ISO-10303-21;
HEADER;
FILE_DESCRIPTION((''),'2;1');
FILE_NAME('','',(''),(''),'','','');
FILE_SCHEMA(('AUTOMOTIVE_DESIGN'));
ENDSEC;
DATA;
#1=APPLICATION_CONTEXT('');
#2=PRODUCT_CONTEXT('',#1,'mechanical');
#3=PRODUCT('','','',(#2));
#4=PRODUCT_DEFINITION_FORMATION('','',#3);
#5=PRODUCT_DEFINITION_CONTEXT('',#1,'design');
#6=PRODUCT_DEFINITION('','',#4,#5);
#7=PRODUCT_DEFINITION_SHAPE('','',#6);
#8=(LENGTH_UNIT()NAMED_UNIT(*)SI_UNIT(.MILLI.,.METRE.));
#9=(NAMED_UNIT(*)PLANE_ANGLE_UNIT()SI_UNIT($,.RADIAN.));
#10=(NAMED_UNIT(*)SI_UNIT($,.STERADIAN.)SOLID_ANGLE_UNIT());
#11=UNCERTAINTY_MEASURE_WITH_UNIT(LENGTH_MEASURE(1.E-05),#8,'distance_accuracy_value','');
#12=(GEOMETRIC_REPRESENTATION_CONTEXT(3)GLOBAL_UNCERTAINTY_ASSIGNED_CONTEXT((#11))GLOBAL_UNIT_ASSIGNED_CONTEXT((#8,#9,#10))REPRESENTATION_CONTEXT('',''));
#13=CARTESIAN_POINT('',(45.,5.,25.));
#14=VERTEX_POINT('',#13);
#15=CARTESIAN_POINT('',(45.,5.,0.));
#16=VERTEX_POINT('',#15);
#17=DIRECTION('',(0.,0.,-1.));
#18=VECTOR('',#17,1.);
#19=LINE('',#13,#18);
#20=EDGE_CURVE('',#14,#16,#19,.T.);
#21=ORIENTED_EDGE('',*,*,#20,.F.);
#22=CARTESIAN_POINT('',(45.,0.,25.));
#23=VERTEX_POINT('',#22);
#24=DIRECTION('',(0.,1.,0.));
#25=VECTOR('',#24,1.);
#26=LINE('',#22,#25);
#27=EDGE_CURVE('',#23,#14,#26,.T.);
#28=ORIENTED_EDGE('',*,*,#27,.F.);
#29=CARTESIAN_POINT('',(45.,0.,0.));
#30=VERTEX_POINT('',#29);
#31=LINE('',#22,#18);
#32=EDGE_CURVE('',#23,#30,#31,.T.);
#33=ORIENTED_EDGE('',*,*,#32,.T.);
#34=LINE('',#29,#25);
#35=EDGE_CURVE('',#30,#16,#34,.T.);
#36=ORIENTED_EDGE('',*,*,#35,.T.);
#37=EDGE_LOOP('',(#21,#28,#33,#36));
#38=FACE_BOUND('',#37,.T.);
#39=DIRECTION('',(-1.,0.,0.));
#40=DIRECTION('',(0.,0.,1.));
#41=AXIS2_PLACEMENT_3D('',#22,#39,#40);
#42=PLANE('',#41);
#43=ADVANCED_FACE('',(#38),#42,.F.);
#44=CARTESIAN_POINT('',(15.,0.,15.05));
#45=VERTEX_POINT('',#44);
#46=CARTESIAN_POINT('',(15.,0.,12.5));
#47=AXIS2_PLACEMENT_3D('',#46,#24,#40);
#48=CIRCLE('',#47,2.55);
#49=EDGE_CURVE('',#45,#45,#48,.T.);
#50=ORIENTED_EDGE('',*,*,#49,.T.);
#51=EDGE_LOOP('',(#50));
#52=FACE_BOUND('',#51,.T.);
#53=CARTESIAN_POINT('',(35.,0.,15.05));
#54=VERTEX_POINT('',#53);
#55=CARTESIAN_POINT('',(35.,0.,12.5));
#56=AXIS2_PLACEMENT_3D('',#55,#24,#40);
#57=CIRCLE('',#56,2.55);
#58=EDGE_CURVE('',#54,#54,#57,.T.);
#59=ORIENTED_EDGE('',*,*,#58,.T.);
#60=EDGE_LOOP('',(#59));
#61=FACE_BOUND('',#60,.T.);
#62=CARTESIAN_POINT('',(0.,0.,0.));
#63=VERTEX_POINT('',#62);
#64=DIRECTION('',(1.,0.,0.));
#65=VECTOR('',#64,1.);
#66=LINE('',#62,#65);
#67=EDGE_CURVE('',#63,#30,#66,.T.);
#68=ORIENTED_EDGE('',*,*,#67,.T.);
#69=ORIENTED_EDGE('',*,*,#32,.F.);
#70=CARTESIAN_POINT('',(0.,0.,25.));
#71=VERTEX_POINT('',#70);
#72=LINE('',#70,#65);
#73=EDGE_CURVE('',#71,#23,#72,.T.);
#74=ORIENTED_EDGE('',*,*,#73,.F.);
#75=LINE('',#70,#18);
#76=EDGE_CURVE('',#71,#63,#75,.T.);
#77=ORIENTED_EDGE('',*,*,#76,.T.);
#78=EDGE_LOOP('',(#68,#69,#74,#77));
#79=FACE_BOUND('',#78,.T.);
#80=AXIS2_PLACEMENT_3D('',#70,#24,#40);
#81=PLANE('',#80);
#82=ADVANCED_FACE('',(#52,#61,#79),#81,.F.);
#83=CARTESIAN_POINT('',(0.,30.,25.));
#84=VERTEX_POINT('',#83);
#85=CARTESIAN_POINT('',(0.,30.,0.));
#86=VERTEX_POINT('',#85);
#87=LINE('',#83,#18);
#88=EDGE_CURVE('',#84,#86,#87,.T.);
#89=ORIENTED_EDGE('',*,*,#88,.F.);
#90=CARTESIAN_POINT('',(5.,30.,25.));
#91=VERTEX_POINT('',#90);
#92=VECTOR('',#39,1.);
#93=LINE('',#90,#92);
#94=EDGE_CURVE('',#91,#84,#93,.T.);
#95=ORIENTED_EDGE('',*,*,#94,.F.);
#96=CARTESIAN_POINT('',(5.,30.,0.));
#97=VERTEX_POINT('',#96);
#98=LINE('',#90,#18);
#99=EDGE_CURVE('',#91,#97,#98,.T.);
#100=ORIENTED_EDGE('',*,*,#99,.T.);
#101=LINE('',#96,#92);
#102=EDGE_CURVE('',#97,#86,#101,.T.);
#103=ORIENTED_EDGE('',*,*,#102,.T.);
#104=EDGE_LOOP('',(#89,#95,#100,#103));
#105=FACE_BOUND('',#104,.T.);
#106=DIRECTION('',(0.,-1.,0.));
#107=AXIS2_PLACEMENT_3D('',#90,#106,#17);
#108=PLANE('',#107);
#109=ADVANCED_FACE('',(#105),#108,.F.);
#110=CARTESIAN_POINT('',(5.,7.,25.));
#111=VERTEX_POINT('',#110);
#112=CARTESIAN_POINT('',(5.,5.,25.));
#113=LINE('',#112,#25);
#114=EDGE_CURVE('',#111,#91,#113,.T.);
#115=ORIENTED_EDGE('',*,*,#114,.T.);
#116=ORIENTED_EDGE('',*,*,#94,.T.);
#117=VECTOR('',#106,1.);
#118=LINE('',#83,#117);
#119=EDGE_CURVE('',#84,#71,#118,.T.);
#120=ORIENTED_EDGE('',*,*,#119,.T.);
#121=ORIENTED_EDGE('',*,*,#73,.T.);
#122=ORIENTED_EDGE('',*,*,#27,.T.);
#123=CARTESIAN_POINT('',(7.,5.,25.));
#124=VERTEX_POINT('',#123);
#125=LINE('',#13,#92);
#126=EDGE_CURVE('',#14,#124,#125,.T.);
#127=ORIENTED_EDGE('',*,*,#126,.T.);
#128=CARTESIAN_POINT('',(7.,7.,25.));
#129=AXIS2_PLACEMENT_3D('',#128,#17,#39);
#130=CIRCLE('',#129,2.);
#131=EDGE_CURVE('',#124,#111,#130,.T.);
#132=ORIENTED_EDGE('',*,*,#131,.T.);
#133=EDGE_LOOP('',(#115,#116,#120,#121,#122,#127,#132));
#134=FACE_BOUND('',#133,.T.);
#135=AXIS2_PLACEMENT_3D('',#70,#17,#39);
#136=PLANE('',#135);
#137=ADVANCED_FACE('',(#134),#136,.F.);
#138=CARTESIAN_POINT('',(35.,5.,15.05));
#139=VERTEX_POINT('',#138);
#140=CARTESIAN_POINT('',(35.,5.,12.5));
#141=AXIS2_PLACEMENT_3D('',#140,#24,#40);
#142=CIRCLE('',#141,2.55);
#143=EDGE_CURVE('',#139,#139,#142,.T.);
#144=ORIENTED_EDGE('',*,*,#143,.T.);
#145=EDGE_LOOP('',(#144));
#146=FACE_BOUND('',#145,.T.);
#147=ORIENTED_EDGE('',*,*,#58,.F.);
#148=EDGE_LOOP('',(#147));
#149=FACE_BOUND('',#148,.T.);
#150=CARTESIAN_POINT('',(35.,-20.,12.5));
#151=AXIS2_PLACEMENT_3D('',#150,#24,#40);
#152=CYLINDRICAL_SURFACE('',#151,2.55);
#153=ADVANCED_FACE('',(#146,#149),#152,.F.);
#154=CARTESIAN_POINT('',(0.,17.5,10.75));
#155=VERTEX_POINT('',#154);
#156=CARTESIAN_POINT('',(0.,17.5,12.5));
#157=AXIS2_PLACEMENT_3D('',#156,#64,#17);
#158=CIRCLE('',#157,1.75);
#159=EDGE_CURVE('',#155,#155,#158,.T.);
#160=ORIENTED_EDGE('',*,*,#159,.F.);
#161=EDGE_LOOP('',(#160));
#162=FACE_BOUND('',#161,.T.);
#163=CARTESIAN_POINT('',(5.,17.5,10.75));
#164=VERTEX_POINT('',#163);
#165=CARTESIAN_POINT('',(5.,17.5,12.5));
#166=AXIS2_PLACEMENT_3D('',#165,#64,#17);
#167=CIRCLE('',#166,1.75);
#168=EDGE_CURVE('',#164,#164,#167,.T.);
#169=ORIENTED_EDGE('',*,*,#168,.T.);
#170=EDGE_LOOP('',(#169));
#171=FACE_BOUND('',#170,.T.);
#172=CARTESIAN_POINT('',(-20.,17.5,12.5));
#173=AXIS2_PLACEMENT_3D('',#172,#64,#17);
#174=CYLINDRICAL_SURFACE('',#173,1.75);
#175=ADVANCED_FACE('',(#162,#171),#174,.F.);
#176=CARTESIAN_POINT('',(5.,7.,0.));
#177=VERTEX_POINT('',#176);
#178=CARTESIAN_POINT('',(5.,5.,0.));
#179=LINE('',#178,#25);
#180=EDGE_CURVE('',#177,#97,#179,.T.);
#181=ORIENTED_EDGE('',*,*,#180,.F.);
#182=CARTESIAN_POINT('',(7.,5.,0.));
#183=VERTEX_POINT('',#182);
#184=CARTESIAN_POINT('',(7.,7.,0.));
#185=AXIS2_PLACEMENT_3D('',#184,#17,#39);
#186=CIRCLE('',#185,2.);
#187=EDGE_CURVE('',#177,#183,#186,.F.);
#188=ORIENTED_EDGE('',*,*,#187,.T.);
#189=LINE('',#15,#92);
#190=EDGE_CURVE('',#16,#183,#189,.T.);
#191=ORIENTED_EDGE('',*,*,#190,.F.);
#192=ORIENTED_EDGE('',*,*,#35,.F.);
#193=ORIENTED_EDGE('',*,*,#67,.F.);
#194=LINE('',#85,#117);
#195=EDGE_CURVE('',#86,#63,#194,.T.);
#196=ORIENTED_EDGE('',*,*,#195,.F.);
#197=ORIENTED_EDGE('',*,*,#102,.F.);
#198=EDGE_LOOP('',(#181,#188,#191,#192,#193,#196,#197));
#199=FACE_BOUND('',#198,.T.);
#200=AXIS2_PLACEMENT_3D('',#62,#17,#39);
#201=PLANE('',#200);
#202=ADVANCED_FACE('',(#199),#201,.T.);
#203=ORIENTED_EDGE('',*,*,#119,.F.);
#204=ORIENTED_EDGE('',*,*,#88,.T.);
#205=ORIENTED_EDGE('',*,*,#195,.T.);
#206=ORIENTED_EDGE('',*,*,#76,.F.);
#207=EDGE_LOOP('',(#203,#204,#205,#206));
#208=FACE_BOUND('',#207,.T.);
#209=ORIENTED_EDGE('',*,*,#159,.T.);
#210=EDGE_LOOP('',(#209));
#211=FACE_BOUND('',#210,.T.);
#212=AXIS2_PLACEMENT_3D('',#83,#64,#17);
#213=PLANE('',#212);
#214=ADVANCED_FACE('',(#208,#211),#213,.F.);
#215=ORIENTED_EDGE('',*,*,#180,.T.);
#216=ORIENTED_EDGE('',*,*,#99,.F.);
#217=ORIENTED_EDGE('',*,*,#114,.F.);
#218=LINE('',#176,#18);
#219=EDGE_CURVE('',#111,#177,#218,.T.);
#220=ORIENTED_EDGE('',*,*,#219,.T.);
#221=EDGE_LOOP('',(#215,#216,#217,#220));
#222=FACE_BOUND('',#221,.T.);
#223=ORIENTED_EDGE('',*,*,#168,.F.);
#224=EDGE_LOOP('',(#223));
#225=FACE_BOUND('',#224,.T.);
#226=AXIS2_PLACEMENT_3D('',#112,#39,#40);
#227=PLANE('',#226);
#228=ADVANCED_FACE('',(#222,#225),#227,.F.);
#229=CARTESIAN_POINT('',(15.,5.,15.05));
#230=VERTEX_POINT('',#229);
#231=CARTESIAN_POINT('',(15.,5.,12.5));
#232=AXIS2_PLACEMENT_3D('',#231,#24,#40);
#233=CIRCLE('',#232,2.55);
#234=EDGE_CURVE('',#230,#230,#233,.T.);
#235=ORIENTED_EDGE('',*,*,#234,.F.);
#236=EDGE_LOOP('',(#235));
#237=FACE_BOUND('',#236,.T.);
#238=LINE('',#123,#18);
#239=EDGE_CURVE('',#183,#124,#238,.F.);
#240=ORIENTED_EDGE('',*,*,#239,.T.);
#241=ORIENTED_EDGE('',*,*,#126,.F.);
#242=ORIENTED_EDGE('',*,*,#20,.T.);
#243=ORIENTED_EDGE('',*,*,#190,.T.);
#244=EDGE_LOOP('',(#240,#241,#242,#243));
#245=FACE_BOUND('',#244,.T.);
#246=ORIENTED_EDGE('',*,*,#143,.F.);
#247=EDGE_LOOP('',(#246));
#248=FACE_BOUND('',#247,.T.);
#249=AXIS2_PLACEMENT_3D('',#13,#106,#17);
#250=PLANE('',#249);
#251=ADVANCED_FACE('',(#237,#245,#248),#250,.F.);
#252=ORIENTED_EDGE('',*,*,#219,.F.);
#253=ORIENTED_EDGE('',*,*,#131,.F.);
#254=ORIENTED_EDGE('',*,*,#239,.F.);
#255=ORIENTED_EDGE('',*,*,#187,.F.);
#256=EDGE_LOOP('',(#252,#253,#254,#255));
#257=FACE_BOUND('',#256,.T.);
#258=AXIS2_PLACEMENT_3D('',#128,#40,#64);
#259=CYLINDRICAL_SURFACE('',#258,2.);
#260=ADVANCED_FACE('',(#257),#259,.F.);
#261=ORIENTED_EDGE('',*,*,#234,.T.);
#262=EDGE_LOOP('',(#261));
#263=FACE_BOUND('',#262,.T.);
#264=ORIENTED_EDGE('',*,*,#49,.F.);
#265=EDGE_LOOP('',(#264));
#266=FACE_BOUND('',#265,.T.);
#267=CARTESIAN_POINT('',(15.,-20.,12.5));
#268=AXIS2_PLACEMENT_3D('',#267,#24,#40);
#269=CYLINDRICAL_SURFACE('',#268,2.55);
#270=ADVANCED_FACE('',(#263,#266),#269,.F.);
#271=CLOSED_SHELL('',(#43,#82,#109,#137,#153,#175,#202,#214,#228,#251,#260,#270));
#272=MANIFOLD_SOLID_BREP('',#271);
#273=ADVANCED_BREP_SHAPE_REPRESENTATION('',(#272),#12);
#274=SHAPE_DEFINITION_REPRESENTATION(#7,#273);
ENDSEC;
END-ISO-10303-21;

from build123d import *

# Parameters (mm, degrees)
BOSS_EXTRUDE1_DEPTH = 25
SKETCH2_R           = 1.75
CUT_EXTRUDE1_DEPTH  = 25
FILLET1_R           = 2
SKETCH4_R           = 2.55
CUT_EXTRUDE2_DEPTH  = 25


with BuildPart() as part:
    # Sketch1 → Boss-Extrude1 (new body)
    with BuildSketch(Plane.XY):
        Polygon((0, 30), (0, 0), (45, 0), (45, 5), (5, 5), (5, 30), align=None)
    extrude(amount=BOSS_EXTRUDE1_DEPTH)

    # Sketch2 → Cut-Extrude1 (cut)
    with BuildSketch(Plane(origin=(5, 0, 0), x_dir=(0, 0, -1), z_dir=(1, 0, 0))):
        with Locations((-12.5, 17.5)):
            Circle(SKETCH2_R)
    extrude(amount=-CUT_EXTRUDE1_DEPTH, mode=Mode.SUBTRACT)

    # Fillet1
    fillet1_edges = [part.edges().sort_by_distance(p)[0] for p in [
        (5, 5, 12.5),
    ]]
    fillet(fillet1_edges, radius=FILLET1_R)

    # Sketch4 → Cut-Extrude2 (cut)
    with BuildSketch(Plane(origin=(0, 5, 0), x_dir=(1, 0, 0), z_dir=(0, 1, 0))):
        with Locations((35, -12.5)):
            Circle(SKETCH4_R)
        with Locations((15, -12.5)):
            Circle(SKETCH4_R)
    extrude(amount=-CUT_EXTRUDE2_DEPTH, mode=Mode.SUBTRACT)


solid = part.part
